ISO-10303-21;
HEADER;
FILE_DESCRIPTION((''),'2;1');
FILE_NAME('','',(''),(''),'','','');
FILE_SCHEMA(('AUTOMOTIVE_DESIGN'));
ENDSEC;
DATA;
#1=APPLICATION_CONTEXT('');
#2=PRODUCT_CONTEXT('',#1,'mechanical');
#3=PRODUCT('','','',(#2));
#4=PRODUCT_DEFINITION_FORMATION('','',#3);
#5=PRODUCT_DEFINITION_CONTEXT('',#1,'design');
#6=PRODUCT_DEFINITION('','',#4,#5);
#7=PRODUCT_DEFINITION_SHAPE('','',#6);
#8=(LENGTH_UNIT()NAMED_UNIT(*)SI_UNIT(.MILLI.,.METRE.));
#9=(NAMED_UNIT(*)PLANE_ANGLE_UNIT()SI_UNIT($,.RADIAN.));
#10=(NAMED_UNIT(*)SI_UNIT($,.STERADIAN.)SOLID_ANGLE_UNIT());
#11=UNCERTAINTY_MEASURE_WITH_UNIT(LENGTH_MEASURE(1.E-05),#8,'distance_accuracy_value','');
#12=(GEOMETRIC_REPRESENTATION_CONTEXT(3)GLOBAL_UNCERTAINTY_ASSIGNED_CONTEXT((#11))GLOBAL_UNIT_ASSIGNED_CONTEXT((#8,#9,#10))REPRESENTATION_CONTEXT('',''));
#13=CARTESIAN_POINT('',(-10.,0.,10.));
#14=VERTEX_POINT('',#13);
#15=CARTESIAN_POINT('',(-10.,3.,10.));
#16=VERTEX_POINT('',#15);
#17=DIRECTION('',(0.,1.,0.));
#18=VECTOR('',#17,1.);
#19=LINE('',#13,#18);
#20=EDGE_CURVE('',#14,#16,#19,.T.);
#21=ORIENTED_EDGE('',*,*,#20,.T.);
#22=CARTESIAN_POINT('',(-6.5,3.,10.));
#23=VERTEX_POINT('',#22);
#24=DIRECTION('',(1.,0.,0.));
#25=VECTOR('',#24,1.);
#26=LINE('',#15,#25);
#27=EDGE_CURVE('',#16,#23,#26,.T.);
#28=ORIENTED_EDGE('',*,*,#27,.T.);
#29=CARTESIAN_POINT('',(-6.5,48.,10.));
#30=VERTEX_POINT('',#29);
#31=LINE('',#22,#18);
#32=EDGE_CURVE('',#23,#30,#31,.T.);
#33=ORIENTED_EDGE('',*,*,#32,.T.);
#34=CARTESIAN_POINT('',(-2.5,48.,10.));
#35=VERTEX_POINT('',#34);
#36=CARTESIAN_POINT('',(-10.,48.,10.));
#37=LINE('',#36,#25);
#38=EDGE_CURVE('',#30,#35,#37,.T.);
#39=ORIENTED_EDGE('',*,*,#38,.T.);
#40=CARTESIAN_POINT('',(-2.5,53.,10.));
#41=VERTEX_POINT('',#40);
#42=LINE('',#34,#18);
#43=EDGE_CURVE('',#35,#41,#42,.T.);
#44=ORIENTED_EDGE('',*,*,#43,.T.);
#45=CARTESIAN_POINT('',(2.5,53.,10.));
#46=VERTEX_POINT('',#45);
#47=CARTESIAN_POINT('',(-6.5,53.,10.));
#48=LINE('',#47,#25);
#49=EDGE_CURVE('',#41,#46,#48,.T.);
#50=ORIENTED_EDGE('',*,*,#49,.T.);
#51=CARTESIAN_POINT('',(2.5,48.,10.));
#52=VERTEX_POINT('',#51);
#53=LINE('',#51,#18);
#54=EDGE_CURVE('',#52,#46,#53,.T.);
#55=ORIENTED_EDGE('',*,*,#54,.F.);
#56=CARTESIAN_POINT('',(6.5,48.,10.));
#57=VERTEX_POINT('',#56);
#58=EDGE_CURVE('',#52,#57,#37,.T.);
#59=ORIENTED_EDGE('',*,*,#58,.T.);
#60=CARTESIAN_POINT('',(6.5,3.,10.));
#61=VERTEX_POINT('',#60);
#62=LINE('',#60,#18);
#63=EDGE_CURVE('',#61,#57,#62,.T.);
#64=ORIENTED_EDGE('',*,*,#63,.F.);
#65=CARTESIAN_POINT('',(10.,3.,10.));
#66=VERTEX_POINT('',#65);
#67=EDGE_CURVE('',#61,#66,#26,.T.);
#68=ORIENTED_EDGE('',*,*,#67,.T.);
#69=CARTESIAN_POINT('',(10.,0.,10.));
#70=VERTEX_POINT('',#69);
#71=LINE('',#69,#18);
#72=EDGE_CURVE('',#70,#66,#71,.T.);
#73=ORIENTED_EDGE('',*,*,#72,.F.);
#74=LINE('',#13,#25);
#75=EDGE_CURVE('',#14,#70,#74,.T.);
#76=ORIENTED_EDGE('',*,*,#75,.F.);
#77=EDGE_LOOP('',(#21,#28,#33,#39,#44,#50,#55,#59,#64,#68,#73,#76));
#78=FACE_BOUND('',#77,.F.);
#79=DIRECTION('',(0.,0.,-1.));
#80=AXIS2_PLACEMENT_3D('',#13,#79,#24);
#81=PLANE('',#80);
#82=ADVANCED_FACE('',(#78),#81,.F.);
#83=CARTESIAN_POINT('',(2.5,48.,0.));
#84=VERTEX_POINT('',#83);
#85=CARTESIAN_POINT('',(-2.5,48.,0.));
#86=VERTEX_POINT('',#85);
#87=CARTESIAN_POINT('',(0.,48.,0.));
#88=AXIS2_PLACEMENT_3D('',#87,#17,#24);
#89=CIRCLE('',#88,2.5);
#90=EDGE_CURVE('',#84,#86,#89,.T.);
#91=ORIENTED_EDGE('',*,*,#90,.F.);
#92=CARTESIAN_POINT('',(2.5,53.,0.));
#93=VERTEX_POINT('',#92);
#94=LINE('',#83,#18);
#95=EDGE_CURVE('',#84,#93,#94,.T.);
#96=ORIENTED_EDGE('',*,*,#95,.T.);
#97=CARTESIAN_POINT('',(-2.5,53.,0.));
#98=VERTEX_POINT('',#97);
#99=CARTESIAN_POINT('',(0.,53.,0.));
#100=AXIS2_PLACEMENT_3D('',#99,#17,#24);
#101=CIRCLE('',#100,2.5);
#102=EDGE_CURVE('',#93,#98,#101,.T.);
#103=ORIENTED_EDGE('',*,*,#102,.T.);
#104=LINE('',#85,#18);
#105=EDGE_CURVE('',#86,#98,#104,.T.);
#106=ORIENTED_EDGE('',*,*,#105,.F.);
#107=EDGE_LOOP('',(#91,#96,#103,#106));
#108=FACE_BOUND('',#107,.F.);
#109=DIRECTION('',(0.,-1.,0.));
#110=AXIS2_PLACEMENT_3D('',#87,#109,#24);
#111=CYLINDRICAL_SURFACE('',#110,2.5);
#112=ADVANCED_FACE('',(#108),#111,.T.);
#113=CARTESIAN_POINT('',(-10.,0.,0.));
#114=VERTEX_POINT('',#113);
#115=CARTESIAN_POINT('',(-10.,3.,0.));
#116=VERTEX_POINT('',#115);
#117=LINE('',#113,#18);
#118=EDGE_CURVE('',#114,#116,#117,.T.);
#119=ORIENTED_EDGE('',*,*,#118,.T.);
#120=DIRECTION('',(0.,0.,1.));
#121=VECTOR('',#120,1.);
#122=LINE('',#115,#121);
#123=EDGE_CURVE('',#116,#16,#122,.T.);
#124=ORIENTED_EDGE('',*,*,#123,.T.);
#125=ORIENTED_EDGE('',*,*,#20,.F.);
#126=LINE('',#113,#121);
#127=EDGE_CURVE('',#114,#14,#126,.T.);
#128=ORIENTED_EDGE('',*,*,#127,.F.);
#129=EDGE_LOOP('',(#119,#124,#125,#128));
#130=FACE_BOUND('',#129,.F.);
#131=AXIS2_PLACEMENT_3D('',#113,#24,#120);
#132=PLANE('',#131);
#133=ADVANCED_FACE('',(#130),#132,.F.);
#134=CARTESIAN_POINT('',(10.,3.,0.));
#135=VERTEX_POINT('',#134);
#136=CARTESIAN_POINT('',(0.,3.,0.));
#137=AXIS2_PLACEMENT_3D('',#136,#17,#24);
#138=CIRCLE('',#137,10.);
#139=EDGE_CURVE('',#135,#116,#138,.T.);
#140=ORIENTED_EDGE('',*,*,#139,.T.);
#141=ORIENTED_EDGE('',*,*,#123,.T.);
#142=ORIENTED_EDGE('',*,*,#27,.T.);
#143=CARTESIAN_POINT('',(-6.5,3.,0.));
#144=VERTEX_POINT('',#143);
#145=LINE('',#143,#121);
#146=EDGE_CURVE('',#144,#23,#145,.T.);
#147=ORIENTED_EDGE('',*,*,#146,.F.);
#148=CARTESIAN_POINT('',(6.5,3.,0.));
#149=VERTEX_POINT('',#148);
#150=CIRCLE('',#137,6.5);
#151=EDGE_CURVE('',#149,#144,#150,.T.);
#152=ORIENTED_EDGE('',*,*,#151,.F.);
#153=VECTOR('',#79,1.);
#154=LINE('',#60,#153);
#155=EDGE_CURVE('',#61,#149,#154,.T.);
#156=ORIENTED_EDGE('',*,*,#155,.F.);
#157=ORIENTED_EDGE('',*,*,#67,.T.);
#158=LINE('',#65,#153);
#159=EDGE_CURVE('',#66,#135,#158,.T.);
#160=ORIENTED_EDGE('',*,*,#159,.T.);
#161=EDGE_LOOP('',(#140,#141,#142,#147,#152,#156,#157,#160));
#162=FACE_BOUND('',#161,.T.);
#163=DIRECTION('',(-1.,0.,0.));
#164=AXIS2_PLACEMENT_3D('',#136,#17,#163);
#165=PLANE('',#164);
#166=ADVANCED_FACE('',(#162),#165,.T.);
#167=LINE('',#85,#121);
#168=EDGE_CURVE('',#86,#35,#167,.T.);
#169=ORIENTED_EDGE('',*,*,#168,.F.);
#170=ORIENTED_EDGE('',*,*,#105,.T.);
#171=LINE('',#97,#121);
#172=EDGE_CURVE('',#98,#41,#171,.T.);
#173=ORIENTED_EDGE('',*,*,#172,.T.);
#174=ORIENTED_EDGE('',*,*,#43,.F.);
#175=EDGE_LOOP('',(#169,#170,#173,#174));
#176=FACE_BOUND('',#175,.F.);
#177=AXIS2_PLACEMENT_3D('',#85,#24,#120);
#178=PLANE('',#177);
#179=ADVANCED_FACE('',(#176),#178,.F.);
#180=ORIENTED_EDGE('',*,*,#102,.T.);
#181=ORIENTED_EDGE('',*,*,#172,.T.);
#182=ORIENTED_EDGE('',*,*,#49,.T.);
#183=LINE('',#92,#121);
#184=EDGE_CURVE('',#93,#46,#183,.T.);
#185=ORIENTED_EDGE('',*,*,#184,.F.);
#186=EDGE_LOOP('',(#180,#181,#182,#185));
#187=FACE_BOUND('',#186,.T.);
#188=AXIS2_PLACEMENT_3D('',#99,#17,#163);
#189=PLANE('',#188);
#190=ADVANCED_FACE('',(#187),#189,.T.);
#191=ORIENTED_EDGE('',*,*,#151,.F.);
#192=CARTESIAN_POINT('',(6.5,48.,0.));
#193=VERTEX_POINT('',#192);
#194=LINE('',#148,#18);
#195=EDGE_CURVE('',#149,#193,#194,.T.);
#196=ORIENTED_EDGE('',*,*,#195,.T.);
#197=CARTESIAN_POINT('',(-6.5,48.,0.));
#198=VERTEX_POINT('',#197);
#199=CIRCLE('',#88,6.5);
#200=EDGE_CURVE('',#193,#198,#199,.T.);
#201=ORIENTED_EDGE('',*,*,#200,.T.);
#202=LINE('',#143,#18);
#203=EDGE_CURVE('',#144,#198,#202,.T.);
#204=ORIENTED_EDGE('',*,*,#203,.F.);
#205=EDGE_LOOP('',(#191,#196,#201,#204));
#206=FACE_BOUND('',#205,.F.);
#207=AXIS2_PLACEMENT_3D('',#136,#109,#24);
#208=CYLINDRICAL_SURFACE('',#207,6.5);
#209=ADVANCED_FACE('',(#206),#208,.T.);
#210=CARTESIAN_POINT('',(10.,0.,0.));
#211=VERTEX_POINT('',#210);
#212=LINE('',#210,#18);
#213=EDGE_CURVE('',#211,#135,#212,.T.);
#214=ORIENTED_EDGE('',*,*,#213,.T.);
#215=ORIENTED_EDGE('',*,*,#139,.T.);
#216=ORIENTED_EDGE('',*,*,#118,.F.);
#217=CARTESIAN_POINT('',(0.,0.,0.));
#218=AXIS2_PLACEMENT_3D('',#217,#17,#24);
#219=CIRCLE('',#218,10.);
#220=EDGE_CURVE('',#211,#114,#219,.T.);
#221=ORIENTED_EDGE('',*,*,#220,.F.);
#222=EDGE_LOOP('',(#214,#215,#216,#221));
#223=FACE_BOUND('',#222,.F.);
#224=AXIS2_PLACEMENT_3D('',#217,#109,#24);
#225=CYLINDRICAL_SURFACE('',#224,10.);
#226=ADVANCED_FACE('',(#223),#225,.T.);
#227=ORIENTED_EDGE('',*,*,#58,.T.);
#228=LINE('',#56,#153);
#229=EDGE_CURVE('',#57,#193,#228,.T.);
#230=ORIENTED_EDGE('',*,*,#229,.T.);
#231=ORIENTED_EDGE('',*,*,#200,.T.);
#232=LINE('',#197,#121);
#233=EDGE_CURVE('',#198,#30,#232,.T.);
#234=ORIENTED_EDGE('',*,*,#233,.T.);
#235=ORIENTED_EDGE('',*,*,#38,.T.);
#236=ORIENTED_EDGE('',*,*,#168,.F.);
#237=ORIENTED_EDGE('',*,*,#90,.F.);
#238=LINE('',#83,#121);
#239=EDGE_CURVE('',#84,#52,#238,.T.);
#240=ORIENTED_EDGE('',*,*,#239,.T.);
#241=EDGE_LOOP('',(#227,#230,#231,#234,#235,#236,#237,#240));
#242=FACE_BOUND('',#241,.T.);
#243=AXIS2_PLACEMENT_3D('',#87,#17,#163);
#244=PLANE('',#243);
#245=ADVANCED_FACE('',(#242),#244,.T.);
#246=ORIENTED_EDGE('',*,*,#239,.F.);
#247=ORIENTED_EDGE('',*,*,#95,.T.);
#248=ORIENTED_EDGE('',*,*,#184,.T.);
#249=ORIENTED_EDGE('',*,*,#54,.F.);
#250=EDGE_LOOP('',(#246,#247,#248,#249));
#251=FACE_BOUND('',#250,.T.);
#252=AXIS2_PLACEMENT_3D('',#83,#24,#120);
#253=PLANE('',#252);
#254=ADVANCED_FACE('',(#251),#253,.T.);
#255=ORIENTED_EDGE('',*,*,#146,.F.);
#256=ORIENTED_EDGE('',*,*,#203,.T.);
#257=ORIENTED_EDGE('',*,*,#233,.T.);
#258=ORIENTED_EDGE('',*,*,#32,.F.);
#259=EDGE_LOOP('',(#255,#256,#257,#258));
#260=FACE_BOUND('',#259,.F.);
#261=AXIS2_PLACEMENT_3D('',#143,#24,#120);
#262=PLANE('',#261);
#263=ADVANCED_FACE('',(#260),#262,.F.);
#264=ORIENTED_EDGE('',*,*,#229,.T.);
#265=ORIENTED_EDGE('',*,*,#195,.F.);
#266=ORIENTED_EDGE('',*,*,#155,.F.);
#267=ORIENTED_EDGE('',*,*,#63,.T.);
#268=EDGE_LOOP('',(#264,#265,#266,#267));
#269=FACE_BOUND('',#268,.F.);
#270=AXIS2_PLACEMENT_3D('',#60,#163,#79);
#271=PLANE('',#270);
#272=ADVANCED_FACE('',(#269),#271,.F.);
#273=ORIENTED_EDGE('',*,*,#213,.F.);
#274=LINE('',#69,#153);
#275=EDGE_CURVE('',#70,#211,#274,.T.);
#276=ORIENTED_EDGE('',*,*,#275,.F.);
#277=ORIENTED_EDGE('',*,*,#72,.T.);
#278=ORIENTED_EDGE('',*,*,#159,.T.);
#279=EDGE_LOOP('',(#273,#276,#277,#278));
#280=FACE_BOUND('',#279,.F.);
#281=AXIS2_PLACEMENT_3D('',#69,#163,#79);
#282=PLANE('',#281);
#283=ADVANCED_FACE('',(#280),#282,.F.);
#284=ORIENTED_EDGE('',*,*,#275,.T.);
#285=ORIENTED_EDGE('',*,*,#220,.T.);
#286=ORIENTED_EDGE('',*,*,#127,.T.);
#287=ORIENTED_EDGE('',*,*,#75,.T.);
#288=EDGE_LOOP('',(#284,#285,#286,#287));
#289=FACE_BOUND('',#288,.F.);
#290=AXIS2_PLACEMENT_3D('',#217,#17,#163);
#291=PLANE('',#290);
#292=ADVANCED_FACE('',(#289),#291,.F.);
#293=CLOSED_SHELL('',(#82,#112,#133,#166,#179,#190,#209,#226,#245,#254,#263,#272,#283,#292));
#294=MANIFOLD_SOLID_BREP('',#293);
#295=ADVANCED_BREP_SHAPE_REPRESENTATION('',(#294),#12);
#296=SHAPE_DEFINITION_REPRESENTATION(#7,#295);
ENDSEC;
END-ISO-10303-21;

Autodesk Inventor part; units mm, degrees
ref_plane "YZ Plane" through (0, 0, 0) normal (1, 0, 0) x (0, 1, 0)
ref_plane "XZ Plane" through (0, 0, 0) normal (0, 1, 0) x (-1, 0, 0)
ref_plane "XY Plane" through (0, 0, 0) normal (0, 0, 1) x (1, 0, 0)
sketch "Sketch1" plane through (0, 0, 0) normal (0, 1, 0) x (-1, 0, 0)
  arc A0 (-10, 0) -> (10, 0) centre (0, 0) ccw
  line L0 (10, 0) -> (10, 10)
  line L1 (10, 10) -> (-10, 10)
  line L2 (-10, 10) -> (-10, 0)
  dimension "d0" = 20
  dimension "d9" = 10
  dimension "d10" = 10
  dimension "d11" = 20
extrude "Extrusion1" add sketch "Sketch1" along normal blind 3
sketch "Sketch2" plane through (0, 3, 0) normal (0, 1, 0) x (-1, 0, 0)
  arc A0 (-6.5, 0) -> (6.5, 0) centre (0, 0) ccw
  line L0 (6.5, 0) -> (6.5, 10)
  line L1 (10, 10) -> (-10, 10) projected
  line L2 (-6.5, 10) -> (-6.5, 0)
  dimension "d3" = 13
extrude "Extrusion2" add sketch "Sketch2" along normal blind 45
sketch "Sketch3" plane through (0, 48, 0) normal (0, 1, 0) x (-1, 0, 0)
  arc A0 (-2.5, 0) -> (2.5, 0) centre (0, 0) ccw
  line L0 (2.5, 0) -> (2.5, 10)
  line L1 (-2.5, 0) -> (-2.5, 10)
  line L2 (6.5, 0) -> (6.5, 10) projected
  line L3 (6.5, 10) -> (-6.5, 10) projected
  line L4 (-6.5, 10) -> (-6.5, 0) projected
  arc A1 (-6.5, 0) -> (6.5, 0) centre (0, 0) ccw projected
  point P0 (2.5, 10)
  dimension "d6" = 5
  dimension "d12" = 5
extrude "Extrusion3" add sketch "Sketch3" along normal blind 5 contours L1 L3 L0 A0
equation "\"d12\" = d6"
properties part number "Stand"
